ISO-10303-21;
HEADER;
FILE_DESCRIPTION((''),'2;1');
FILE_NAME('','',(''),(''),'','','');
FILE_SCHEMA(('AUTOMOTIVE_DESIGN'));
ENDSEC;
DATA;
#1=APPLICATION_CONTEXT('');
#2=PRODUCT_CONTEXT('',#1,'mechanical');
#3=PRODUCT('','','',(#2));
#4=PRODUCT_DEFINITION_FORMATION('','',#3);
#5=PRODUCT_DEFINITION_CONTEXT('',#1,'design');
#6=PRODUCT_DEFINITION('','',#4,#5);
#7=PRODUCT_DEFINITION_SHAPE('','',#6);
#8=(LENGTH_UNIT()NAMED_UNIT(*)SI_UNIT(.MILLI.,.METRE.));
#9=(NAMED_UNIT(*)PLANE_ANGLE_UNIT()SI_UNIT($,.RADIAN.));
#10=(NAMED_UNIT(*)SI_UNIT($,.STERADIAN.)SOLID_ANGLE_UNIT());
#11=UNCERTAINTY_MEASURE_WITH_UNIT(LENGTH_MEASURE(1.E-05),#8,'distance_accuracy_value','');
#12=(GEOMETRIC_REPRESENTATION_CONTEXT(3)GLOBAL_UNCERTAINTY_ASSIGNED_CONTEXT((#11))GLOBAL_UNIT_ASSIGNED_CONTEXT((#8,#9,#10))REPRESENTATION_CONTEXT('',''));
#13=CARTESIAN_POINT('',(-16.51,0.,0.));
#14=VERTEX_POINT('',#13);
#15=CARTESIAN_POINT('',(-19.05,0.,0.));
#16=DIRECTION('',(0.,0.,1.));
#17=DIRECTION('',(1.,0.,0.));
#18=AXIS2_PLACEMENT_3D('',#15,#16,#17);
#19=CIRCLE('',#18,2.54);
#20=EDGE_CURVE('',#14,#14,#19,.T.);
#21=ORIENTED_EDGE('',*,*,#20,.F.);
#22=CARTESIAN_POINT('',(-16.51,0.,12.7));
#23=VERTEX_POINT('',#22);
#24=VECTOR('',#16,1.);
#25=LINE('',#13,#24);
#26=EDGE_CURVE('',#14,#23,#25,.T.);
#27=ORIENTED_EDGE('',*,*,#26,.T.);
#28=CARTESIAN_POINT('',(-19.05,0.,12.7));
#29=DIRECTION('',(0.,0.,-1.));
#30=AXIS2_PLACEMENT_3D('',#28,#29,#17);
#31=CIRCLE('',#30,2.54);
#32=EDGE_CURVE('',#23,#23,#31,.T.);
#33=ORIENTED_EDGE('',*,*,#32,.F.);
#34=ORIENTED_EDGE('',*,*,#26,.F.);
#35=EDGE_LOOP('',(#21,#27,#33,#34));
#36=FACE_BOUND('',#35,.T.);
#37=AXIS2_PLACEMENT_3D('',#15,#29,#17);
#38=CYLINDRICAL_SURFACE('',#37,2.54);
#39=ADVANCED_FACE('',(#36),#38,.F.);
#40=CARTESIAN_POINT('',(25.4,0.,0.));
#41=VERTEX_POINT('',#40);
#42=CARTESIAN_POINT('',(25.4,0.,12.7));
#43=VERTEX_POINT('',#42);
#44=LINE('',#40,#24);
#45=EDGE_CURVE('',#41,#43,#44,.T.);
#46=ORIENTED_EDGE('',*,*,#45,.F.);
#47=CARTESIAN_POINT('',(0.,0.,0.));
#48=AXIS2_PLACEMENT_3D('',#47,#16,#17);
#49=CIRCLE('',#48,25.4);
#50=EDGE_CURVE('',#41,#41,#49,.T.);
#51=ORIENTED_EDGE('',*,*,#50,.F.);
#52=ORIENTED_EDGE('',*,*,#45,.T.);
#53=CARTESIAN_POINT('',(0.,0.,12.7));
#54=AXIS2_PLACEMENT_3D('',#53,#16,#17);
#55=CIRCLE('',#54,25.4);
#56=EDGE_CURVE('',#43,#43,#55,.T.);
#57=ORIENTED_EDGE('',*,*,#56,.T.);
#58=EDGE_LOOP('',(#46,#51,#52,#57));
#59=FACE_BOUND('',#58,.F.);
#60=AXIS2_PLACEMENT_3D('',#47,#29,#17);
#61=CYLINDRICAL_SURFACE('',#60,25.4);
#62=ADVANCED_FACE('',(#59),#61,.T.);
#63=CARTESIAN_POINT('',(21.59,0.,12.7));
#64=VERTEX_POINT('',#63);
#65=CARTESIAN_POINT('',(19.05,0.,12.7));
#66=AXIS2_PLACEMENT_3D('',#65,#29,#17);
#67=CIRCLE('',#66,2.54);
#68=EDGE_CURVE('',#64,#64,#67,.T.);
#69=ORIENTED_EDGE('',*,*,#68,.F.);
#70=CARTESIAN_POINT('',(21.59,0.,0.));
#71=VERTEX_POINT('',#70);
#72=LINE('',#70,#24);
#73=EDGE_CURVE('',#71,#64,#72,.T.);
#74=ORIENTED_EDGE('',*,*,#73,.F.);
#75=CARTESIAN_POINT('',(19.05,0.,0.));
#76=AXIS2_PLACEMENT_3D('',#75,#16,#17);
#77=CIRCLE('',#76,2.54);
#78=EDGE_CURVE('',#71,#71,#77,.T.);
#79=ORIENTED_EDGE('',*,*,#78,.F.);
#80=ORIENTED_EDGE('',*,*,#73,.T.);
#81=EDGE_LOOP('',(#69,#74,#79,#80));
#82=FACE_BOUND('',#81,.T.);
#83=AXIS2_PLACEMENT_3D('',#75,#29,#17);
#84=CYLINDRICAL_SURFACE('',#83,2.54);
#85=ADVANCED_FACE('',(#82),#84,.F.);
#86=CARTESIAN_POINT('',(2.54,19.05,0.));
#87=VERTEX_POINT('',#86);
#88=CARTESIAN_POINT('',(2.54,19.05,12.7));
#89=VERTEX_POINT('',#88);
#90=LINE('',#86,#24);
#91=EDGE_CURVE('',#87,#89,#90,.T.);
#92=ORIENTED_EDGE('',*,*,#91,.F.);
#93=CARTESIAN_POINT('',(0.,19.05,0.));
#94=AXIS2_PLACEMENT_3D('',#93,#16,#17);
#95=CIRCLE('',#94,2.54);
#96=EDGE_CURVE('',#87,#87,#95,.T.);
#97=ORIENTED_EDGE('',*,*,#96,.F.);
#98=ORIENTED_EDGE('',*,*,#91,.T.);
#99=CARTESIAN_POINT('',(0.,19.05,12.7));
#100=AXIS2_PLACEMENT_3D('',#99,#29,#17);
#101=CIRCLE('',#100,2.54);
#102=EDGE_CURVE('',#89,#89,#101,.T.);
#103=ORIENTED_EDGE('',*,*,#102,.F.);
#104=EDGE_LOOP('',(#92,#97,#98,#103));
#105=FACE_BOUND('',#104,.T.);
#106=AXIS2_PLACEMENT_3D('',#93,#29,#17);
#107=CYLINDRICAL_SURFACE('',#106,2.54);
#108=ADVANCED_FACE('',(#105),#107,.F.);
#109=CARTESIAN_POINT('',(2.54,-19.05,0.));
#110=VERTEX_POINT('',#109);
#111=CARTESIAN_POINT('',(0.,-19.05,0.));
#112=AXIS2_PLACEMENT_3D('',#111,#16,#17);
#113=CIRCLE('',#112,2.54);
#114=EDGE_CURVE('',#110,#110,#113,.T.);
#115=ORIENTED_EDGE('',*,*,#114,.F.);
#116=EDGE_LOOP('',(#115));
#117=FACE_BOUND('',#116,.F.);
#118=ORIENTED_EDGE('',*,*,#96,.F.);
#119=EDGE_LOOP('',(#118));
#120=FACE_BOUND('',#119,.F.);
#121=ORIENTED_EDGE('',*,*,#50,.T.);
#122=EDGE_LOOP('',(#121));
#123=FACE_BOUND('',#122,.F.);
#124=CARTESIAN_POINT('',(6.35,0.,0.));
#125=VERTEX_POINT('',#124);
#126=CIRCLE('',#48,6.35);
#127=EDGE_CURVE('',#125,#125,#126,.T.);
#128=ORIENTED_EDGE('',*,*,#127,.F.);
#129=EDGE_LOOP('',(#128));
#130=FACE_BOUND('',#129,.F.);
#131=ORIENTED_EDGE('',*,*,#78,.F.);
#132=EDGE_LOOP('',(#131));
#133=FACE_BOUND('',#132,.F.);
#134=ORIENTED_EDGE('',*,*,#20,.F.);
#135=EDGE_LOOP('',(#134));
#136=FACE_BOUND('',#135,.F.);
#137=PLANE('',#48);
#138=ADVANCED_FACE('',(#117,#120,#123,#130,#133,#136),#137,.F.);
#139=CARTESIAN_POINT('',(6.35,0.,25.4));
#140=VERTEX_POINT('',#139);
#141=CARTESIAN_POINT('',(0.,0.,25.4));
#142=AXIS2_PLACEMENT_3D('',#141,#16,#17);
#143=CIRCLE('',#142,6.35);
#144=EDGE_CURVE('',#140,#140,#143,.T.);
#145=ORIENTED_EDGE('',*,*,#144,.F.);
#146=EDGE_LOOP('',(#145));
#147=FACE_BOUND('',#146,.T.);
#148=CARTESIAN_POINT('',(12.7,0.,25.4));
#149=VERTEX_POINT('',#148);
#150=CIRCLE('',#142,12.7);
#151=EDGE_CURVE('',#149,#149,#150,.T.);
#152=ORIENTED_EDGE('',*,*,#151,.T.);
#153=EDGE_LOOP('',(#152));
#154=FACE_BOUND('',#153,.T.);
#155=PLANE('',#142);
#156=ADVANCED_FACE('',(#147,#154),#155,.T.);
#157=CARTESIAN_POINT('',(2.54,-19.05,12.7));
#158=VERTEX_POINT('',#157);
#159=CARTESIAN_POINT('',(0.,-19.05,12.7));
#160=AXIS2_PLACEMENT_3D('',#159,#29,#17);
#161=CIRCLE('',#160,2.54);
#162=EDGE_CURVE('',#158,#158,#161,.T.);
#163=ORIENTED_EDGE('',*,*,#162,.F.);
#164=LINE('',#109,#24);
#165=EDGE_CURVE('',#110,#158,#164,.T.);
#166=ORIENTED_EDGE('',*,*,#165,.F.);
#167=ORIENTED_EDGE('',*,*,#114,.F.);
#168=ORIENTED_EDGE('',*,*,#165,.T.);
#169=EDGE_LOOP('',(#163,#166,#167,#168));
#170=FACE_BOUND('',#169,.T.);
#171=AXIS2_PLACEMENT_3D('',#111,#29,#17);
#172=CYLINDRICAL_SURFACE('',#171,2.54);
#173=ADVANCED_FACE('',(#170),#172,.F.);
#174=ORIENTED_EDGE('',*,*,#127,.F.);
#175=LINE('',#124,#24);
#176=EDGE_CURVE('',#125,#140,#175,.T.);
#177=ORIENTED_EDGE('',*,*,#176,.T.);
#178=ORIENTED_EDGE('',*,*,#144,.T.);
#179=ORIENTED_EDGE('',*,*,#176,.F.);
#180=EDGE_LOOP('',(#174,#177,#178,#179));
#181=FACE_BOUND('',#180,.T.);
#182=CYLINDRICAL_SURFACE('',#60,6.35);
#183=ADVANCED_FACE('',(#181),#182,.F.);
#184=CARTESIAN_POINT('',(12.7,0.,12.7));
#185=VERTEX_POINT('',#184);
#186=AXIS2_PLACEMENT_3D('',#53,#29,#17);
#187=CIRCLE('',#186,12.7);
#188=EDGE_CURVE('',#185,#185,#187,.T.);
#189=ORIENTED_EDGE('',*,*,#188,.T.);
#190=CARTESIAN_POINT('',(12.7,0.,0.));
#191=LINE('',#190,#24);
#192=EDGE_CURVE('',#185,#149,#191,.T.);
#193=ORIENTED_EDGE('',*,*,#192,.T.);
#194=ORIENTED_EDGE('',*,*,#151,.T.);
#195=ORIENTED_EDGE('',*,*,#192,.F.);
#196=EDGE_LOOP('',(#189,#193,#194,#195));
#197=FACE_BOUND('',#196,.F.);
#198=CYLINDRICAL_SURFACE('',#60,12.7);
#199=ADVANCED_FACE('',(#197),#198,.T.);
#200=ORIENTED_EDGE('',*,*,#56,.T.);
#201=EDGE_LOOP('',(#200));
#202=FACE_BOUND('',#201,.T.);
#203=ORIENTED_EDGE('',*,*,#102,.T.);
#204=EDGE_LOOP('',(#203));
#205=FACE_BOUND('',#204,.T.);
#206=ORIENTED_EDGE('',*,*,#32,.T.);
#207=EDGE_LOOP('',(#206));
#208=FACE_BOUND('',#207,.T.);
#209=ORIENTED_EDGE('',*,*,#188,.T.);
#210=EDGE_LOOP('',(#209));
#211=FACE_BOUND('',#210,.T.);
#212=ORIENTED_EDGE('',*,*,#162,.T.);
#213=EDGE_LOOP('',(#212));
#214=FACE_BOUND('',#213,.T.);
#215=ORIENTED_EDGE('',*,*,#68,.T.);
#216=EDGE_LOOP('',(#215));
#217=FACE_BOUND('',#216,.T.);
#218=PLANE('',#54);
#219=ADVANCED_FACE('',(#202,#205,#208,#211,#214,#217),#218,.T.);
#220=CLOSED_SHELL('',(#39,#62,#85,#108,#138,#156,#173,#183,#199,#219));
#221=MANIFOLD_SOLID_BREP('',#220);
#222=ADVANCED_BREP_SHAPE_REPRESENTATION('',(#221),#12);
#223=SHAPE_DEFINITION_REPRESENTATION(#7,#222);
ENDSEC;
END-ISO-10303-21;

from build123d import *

# Parameters (mm, degrees)
F0_R     = 25.4
F1_DEPTH = 12.7
F2_R     = 12.7
F3_DEPTH = 25.4
F4_R     = 2.54
F4_R_2   = 6.35
F5_DEPTH = 25.4


with BuildPart() as f1:
    # F0 (on Top) → F1 (new body)
    with BuildSketch(Plane.XY):
        Circle(F0_R)
    extrude(amount=F1_DEPTH)

    # F2 (on Top) → F3 (join)
    with BuildSketch(Plane.XY):
        Circle(F2_R)
    extrude(amount=F3_DEPTH)

    # F4 (on Top) → F5 (cut)
    with BuildSketch(Plane.XY):
        with Locations((0, 19.05)):
            Circle(F4_R)
        with Locations((-19.05, 0)):
            Circle(F4_R)
        with Locations((0, -19.05)):
            Circle(F4_R)
        with Locations((19.05, 0)):
            Circle(F4_R)
        Circle(F4_R_2)
    extrude(amount=F5_DEPTH, mode=Mode.SUBTRACT)


solid = f1.part
